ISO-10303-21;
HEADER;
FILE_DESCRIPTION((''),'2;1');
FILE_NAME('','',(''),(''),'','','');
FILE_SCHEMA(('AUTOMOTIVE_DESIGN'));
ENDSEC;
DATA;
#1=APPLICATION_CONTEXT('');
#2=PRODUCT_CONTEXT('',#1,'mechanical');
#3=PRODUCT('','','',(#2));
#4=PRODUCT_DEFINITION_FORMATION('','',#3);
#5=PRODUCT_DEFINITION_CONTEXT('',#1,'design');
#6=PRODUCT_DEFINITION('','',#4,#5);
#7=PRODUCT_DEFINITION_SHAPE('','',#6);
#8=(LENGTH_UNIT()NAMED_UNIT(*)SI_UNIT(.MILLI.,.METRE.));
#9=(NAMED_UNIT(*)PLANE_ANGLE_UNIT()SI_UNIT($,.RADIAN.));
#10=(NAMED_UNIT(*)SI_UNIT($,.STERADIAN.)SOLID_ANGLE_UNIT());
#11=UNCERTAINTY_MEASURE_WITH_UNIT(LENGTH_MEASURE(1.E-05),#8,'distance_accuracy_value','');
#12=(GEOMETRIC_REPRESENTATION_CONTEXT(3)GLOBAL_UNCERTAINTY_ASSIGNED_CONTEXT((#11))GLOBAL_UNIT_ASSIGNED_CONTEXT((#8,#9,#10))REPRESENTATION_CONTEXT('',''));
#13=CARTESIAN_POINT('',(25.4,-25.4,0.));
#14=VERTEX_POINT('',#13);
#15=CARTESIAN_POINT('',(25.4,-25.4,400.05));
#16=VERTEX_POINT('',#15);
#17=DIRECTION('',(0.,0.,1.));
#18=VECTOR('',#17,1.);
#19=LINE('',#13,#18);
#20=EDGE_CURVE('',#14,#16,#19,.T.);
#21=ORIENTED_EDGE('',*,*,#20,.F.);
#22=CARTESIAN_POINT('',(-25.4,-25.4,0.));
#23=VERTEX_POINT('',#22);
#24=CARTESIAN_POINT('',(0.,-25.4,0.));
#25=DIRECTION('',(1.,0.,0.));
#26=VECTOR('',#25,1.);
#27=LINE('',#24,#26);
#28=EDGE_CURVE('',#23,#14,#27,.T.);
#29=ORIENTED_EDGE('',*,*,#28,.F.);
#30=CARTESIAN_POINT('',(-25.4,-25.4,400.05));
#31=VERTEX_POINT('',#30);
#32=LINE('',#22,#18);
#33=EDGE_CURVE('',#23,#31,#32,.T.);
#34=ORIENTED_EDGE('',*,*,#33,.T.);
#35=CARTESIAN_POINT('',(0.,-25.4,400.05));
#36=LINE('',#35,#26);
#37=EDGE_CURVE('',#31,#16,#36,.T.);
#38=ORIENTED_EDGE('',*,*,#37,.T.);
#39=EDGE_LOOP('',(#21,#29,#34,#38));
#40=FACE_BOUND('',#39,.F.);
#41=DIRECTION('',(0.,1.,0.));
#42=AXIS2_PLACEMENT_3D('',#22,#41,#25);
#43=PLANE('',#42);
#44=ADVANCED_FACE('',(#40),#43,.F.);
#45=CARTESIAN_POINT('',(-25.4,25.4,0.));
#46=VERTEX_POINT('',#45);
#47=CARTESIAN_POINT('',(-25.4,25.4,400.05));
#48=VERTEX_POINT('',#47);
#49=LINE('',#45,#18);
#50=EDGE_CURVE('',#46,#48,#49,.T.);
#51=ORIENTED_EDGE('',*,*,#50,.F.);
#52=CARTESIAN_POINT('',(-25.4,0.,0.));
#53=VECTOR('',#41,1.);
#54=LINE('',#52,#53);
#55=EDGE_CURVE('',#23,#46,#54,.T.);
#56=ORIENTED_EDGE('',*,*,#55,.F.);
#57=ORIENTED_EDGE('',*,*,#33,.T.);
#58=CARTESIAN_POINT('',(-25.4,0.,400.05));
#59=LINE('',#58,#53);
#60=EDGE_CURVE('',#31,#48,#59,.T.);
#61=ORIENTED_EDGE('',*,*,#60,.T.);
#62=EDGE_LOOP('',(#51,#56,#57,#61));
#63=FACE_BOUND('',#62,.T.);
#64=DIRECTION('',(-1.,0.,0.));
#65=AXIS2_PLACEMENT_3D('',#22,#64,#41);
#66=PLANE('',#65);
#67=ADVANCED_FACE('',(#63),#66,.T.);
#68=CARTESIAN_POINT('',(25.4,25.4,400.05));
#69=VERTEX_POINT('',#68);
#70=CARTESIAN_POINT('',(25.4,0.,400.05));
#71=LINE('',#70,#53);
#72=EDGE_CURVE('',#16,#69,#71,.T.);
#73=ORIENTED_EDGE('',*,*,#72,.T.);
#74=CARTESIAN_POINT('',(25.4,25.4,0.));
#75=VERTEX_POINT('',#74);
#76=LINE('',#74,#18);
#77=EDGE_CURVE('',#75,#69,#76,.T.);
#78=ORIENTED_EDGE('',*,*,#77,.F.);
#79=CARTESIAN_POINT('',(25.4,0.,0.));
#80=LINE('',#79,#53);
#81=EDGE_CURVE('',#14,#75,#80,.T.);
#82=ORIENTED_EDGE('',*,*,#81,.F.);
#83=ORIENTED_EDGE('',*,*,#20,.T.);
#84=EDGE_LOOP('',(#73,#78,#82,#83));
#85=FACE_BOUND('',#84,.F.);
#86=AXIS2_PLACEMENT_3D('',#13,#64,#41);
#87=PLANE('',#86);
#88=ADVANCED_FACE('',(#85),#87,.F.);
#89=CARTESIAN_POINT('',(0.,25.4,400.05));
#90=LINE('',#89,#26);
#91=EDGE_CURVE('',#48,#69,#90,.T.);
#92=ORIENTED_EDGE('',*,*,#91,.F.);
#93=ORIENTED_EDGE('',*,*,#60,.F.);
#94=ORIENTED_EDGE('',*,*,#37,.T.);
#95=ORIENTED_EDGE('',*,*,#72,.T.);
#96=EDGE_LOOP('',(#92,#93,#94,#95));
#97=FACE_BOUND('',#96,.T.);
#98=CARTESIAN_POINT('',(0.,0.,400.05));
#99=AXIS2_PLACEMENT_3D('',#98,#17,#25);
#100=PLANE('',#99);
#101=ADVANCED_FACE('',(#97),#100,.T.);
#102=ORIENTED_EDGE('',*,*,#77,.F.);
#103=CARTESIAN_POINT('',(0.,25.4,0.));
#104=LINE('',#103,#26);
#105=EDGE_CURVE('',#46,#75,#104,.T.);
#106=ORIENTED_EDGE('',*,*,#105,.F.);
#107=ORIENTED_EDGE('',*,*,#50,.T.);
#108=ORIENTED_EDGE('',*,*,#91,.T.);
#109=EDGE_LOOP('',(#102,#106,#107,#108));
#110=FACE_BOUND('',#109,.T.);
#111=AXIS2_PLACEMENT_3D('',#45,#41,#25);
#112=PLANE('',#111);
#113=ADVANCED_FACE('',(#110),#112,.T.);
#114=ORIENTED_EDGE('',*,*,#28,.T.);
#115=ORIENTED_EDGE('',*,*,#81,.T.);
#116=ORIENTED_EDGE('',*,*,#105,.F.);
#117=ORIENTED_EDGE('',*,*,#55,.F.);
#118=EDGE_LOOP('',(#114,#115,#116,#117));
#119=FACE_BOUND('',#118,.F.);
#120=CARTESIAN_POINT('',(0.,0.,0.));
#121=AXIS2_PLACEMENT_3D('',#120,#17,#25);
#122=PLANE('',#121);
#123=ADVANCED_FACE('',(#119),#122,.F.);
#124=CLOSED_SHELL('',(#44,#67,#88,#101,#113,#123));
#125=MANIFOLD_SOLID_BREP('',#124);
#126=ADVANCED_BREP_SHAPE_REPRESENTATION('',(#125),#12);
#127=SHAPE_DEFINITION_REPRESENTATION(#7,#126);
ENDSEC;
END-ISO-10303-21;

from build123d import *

# Parameters (mm, degrees)
F1_W     = 50.8
F1_H     = 50.8
F2_DEPTH = 400.05


with BuildPart() as f2:
    # F1 (on face) → F2 (new body)
    with BuildSketch(Plane.XY):
        Rectangle(F1_W, F1_H)
    extrude(amount=F2_DEPTH)


solid = f2.part
